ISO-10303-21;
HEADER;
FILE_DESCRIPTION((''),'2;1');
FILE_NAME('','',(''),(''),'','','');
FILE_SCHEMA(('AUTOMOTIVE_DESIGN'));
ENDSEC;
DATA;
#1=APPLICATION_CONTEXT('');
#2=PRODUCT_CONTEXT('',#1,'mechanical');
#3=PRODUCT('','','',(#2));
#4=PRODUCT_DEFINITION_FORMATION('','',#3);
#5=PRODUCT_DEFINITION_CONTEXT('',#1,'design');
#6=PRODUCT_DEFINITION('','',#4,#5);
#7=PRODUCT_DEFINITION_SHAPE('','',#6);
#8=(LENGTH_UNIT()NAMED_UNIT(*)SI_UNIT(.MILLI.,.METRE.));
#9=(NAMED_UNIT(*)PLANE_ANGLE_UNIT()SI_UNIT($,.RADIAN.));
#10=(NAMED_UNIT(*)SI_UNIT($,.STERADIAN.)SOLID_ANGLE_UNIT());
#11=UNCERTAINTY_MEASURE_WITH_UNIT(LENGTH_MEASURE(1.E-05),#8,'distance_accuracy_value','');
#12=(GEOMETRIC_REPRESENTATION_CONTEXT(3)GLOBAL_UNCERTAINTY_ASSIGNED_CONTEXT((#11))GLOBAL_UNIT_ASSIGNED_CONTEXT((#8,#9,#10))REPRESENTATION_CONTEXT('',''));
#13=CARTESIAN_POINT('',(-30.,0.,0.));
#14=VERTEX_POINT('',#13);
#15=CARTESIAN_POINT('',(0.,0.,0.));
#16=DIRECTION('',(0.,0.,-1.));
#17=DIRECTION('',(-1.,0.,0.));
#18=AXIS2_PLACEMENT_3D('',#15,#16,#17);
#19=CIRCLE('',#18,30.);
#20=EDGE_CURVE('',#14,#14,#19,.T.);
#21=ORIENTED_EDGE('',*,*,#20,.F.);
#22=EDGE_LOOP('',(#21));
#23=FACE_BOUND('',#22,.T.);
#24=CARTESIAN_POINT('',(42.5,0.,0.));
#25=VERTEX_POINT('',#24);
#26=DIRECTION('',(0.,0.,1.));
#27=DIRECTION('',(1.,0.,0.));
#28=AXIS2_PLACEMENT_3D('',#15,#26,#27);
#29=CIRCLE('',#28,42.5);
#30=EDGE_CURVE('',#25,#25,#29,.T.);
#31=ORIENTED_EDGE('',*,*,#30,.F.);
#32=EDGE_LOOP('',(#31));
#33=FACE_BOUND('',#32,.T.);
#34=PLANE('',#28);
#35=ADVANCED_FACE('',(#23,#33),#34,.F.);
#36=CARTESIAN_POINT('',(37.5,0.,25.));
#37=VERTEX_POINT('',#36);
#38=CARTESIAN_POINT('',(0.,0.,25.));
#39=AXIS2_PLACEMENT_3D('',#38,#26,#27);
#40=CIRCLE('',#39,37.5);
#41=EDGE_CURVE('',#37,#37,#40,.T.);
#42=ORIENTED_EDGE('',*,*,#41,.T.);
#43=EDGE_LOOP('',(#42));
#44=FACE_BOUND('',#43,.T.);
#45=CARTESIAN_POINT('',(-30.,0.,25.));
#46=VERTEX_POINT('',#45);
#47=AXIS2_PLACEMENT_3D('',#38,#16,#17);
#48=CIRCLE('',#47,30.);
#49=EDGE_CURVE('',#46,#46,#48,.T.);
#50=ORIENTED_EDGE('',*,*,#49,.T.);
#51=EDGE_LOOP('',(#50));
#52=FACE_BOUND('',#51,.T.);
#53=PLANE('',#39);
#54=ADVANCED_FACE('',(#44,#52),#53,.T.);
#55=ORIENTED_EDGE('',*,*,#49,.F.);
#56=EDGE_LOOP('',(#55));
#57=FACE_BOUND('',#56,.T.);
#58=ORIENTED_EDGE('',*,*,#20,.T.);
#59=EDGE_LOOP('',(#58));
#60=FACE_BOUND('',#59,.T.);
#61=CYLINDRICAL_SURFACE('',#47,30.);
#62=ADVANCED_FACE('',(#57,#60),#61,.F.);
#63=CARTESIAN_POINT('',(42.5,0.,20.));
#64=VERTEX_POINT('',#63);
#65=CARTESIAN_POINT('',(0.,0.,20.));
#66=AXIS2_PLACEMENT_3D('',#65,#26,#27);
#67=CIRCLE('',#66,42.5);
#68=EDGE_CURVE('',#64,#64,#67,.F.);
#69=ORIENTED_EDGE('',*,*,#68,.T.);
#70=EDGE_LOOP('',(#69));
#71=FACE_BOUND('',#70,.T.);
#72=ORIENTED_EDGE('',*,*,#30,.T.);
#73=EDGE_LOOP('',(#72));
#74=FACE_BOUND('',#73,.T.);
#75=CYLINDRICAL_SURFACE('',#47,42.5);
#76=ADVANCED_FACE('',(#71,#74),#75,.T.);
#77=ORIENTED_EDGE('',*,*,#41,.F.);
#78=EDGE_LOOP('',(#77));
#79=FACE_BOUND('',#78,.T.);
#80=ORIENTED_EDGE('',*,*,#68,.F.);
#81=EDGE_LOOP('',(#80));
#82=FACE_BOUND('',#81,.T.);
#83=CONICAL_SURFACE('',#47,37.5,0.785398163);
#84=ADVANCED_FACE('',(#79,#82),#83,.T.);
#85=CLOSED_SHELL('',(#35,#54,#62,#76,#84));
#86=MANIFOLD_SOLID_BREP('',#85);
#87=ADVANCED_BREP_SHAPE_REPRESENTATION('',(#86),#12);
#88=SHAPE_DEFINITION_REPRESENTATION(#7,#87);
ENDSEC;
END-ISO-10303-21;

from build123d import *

# Parameters (mm, degrees)
SKETCH_1_R          = 42.5
EXTRUDE_1_DEPTH     = 25
CHAMFER_1_SIZE      = 5
SKETCH_2_R          = 30
CUT_EXTRUDE_1_DEPTH = 66.096082831


with BuildPart() as part:
    # Эскиз1 → Бобышка-Вытянуть1 (new body)
    with BuildSketch(Plane.XY):
        Circle(SKETCH_1_R)
    extrude(amount=EXTRUDE_1_DEPTH)

    # Фаска1
    chamfer_1_edges = [part.edges().sort_by_distance(p)[0] for p in [
        (-42.5, 0, 25),
    ]]
    chamfer(chamfer_1_edges, length=CHAMFER_1_SIZE)

    # Эскиз2 → Вырез-Вытянуть1 (cut, through all)
    with BuildSketch(Plane(origin=(0, 0, 0), x_dir=(-1, 0, 0), z_dir=(0, 0, -1))):
        Circle(SKETCH_2_R)
    extrude(amount=-CUT_EXTRUDE_1_DEPTH, mode=Mode.SUBTRACT)


solid = part.part
